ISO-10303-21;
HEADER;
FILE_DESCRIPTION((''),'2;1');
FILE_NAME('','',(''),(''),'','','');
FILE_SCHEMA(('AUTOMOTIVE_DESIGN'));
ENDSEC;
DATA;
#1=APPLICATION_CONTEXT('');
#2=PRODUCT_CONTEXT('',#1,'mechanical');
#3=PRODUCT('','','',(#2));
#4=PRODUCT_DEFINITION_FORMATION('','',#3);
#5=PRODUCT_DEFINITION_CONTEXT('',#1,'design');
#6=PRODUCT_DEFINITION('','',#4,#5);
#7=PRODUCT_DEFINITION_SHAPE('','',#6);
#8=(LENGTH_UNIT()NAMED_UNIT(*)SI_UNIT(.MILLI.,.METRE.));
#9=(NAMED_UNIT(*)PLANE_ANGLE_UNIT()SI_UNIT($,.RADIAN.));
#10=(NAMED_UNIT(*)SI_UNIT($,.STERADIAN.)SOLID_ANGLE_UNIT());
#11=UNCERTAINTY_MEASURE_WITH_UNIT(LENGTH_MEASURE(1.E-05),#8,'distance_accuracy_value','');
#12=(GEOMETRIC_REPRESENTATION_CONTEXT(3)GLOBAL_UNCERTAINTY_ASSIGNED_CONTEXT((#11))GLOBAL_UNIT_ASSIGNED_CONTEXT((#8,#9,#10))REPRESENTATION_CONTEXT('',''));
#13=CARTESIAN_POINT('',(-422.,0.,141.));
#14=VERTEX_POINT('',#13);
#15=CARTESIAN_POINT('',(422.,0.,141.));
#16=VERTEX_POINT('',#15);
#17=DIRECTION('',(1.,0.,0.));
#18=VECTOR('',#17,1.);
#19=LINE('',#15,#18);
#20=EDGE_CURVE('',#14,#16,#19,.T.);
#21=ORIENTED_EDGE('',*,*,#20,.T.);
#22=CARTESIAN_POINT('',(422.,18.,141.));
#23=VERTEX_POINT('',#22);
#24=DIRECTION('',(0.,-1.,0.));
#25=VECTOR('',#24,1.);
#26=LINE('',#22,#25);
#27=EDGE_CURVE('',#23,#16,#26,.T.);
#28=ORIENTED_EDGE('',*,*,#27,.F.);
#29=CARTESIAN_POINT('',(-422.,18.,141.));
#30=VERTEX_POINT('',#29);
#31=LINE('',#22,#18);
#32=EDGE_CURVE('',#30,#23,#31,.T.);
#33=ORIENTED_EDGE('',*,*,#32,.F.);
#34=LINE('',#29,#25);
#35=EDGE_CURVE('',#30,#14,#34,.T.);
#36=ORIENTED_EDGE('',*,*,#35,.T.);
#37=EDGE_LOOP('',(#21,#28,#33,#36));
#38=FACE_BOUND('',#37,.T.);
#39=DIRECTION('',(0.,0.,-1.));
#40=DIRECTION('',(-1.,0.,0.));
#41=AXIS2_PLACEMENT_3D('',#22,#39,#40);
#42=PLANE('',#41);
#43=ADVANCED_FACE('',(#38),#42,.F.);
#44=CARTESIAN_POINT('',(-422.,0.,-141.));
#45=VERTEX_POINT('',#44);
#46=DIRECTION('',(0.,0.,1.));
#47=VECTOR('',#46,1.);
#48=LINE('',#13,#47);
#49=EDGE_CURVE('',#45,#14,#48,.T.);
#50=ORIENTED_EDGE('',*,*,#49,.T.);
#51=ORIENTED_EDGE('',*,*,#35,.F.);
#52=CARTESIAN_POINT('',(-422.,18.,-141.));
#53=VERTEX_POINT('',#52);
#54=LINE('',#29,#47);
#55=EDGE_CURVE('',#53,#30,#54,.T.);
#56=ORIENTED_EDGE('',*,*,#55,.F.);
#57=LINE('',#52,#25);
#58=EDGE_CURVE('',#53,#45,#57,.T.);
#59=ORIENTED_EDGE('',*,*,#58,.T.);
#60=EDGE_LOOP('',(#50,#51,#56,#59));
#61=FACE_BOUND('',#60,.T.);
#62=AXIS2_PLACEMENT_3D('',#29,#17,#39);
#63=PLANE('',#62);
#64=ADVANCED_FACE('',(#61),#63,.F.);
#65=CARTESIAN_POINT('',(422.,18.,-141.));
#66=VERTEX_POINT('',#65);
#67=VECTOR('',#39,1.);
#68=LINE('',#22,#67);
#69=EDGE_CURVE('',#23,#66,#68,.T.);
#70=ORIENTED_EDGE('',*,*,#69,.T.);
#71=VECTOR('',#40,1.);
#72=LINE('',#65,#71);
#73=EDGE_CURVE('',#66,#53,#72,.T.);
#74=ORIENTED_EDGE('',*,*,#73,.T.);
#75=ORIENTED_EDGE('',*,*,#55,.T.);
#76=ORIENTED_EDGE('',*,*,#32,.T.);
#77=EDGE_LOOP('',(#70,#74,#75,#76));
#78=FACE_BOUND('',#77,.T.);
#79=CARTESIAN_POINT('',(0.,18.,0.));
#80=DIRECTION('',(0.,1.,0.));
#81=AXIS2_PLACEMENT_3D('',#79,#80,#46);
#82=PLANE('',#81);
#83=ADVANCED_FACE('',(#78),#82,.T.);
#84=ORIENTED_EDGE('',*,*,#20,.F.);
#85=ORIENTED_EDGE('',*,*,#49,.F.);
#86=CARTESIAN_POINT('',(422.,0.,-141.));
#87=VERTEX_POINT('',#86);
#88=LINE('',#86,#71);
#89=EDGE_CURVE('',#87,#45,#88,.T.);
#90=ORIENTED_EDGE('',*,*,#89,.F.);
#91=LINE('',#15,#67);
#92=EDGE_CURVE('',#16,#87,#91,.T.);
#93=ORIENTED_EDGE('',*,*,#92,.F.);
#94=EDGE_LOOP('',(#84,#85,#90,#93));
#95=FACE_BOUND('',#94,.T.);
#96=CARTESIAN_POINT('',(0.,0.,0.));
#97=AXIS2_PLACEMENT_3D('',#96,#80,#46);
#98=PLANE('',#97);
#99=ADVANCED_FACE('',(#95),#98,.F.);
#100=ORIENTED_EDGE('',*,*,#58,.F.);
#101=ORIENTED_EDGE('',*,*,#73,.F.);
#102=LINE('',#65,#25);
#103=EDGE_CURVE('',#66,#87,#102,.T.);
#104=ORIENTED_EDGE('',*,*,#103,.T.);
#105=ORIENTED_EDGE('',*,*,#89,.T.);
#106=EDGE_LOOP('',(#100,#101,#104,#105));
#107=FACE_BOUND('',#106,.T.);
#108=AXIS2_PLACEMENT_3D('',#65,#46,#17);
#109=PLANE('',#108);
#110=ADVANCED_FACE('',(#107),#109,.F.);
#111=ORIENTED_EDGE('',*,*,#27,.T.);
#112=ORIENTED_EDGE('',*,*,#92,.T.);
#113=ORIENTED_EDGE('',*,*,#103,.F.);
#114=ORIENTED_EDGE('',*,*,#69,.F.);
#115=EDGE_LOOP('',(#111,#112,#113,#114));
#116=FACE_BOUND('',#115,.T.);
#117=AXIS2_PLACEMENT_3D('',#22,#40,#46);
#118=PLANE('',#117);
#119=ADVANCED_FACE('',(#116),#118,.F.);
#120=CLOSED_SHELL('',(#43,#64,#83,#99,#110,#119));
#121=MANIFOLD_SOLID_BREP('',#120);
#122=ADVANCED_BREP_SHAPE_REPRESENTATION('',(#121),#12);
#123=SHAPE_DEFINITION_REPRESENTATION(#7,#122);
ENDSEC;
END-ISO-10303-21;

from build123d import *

# Parameters (mm, degrees)
SKETCH_1_W      = 844
SKETCH_1_H      = 282
EXTRUDE_1_DEPTH = 18


with BuildPart() as part:
    # Эскиз1 → Бобышка-Вытянуть1 (new body)
    with BuildSketch(Plane(origin=(0, 0, 0), x_dir=(1, 0, 0), z_dir=(0, 1, 0))):
        Rectangle(SKETCH_1_W, SKETCH_1_H)
    extrude(amount=EXTRUDE_1_DEPTH)


solid = part.part
